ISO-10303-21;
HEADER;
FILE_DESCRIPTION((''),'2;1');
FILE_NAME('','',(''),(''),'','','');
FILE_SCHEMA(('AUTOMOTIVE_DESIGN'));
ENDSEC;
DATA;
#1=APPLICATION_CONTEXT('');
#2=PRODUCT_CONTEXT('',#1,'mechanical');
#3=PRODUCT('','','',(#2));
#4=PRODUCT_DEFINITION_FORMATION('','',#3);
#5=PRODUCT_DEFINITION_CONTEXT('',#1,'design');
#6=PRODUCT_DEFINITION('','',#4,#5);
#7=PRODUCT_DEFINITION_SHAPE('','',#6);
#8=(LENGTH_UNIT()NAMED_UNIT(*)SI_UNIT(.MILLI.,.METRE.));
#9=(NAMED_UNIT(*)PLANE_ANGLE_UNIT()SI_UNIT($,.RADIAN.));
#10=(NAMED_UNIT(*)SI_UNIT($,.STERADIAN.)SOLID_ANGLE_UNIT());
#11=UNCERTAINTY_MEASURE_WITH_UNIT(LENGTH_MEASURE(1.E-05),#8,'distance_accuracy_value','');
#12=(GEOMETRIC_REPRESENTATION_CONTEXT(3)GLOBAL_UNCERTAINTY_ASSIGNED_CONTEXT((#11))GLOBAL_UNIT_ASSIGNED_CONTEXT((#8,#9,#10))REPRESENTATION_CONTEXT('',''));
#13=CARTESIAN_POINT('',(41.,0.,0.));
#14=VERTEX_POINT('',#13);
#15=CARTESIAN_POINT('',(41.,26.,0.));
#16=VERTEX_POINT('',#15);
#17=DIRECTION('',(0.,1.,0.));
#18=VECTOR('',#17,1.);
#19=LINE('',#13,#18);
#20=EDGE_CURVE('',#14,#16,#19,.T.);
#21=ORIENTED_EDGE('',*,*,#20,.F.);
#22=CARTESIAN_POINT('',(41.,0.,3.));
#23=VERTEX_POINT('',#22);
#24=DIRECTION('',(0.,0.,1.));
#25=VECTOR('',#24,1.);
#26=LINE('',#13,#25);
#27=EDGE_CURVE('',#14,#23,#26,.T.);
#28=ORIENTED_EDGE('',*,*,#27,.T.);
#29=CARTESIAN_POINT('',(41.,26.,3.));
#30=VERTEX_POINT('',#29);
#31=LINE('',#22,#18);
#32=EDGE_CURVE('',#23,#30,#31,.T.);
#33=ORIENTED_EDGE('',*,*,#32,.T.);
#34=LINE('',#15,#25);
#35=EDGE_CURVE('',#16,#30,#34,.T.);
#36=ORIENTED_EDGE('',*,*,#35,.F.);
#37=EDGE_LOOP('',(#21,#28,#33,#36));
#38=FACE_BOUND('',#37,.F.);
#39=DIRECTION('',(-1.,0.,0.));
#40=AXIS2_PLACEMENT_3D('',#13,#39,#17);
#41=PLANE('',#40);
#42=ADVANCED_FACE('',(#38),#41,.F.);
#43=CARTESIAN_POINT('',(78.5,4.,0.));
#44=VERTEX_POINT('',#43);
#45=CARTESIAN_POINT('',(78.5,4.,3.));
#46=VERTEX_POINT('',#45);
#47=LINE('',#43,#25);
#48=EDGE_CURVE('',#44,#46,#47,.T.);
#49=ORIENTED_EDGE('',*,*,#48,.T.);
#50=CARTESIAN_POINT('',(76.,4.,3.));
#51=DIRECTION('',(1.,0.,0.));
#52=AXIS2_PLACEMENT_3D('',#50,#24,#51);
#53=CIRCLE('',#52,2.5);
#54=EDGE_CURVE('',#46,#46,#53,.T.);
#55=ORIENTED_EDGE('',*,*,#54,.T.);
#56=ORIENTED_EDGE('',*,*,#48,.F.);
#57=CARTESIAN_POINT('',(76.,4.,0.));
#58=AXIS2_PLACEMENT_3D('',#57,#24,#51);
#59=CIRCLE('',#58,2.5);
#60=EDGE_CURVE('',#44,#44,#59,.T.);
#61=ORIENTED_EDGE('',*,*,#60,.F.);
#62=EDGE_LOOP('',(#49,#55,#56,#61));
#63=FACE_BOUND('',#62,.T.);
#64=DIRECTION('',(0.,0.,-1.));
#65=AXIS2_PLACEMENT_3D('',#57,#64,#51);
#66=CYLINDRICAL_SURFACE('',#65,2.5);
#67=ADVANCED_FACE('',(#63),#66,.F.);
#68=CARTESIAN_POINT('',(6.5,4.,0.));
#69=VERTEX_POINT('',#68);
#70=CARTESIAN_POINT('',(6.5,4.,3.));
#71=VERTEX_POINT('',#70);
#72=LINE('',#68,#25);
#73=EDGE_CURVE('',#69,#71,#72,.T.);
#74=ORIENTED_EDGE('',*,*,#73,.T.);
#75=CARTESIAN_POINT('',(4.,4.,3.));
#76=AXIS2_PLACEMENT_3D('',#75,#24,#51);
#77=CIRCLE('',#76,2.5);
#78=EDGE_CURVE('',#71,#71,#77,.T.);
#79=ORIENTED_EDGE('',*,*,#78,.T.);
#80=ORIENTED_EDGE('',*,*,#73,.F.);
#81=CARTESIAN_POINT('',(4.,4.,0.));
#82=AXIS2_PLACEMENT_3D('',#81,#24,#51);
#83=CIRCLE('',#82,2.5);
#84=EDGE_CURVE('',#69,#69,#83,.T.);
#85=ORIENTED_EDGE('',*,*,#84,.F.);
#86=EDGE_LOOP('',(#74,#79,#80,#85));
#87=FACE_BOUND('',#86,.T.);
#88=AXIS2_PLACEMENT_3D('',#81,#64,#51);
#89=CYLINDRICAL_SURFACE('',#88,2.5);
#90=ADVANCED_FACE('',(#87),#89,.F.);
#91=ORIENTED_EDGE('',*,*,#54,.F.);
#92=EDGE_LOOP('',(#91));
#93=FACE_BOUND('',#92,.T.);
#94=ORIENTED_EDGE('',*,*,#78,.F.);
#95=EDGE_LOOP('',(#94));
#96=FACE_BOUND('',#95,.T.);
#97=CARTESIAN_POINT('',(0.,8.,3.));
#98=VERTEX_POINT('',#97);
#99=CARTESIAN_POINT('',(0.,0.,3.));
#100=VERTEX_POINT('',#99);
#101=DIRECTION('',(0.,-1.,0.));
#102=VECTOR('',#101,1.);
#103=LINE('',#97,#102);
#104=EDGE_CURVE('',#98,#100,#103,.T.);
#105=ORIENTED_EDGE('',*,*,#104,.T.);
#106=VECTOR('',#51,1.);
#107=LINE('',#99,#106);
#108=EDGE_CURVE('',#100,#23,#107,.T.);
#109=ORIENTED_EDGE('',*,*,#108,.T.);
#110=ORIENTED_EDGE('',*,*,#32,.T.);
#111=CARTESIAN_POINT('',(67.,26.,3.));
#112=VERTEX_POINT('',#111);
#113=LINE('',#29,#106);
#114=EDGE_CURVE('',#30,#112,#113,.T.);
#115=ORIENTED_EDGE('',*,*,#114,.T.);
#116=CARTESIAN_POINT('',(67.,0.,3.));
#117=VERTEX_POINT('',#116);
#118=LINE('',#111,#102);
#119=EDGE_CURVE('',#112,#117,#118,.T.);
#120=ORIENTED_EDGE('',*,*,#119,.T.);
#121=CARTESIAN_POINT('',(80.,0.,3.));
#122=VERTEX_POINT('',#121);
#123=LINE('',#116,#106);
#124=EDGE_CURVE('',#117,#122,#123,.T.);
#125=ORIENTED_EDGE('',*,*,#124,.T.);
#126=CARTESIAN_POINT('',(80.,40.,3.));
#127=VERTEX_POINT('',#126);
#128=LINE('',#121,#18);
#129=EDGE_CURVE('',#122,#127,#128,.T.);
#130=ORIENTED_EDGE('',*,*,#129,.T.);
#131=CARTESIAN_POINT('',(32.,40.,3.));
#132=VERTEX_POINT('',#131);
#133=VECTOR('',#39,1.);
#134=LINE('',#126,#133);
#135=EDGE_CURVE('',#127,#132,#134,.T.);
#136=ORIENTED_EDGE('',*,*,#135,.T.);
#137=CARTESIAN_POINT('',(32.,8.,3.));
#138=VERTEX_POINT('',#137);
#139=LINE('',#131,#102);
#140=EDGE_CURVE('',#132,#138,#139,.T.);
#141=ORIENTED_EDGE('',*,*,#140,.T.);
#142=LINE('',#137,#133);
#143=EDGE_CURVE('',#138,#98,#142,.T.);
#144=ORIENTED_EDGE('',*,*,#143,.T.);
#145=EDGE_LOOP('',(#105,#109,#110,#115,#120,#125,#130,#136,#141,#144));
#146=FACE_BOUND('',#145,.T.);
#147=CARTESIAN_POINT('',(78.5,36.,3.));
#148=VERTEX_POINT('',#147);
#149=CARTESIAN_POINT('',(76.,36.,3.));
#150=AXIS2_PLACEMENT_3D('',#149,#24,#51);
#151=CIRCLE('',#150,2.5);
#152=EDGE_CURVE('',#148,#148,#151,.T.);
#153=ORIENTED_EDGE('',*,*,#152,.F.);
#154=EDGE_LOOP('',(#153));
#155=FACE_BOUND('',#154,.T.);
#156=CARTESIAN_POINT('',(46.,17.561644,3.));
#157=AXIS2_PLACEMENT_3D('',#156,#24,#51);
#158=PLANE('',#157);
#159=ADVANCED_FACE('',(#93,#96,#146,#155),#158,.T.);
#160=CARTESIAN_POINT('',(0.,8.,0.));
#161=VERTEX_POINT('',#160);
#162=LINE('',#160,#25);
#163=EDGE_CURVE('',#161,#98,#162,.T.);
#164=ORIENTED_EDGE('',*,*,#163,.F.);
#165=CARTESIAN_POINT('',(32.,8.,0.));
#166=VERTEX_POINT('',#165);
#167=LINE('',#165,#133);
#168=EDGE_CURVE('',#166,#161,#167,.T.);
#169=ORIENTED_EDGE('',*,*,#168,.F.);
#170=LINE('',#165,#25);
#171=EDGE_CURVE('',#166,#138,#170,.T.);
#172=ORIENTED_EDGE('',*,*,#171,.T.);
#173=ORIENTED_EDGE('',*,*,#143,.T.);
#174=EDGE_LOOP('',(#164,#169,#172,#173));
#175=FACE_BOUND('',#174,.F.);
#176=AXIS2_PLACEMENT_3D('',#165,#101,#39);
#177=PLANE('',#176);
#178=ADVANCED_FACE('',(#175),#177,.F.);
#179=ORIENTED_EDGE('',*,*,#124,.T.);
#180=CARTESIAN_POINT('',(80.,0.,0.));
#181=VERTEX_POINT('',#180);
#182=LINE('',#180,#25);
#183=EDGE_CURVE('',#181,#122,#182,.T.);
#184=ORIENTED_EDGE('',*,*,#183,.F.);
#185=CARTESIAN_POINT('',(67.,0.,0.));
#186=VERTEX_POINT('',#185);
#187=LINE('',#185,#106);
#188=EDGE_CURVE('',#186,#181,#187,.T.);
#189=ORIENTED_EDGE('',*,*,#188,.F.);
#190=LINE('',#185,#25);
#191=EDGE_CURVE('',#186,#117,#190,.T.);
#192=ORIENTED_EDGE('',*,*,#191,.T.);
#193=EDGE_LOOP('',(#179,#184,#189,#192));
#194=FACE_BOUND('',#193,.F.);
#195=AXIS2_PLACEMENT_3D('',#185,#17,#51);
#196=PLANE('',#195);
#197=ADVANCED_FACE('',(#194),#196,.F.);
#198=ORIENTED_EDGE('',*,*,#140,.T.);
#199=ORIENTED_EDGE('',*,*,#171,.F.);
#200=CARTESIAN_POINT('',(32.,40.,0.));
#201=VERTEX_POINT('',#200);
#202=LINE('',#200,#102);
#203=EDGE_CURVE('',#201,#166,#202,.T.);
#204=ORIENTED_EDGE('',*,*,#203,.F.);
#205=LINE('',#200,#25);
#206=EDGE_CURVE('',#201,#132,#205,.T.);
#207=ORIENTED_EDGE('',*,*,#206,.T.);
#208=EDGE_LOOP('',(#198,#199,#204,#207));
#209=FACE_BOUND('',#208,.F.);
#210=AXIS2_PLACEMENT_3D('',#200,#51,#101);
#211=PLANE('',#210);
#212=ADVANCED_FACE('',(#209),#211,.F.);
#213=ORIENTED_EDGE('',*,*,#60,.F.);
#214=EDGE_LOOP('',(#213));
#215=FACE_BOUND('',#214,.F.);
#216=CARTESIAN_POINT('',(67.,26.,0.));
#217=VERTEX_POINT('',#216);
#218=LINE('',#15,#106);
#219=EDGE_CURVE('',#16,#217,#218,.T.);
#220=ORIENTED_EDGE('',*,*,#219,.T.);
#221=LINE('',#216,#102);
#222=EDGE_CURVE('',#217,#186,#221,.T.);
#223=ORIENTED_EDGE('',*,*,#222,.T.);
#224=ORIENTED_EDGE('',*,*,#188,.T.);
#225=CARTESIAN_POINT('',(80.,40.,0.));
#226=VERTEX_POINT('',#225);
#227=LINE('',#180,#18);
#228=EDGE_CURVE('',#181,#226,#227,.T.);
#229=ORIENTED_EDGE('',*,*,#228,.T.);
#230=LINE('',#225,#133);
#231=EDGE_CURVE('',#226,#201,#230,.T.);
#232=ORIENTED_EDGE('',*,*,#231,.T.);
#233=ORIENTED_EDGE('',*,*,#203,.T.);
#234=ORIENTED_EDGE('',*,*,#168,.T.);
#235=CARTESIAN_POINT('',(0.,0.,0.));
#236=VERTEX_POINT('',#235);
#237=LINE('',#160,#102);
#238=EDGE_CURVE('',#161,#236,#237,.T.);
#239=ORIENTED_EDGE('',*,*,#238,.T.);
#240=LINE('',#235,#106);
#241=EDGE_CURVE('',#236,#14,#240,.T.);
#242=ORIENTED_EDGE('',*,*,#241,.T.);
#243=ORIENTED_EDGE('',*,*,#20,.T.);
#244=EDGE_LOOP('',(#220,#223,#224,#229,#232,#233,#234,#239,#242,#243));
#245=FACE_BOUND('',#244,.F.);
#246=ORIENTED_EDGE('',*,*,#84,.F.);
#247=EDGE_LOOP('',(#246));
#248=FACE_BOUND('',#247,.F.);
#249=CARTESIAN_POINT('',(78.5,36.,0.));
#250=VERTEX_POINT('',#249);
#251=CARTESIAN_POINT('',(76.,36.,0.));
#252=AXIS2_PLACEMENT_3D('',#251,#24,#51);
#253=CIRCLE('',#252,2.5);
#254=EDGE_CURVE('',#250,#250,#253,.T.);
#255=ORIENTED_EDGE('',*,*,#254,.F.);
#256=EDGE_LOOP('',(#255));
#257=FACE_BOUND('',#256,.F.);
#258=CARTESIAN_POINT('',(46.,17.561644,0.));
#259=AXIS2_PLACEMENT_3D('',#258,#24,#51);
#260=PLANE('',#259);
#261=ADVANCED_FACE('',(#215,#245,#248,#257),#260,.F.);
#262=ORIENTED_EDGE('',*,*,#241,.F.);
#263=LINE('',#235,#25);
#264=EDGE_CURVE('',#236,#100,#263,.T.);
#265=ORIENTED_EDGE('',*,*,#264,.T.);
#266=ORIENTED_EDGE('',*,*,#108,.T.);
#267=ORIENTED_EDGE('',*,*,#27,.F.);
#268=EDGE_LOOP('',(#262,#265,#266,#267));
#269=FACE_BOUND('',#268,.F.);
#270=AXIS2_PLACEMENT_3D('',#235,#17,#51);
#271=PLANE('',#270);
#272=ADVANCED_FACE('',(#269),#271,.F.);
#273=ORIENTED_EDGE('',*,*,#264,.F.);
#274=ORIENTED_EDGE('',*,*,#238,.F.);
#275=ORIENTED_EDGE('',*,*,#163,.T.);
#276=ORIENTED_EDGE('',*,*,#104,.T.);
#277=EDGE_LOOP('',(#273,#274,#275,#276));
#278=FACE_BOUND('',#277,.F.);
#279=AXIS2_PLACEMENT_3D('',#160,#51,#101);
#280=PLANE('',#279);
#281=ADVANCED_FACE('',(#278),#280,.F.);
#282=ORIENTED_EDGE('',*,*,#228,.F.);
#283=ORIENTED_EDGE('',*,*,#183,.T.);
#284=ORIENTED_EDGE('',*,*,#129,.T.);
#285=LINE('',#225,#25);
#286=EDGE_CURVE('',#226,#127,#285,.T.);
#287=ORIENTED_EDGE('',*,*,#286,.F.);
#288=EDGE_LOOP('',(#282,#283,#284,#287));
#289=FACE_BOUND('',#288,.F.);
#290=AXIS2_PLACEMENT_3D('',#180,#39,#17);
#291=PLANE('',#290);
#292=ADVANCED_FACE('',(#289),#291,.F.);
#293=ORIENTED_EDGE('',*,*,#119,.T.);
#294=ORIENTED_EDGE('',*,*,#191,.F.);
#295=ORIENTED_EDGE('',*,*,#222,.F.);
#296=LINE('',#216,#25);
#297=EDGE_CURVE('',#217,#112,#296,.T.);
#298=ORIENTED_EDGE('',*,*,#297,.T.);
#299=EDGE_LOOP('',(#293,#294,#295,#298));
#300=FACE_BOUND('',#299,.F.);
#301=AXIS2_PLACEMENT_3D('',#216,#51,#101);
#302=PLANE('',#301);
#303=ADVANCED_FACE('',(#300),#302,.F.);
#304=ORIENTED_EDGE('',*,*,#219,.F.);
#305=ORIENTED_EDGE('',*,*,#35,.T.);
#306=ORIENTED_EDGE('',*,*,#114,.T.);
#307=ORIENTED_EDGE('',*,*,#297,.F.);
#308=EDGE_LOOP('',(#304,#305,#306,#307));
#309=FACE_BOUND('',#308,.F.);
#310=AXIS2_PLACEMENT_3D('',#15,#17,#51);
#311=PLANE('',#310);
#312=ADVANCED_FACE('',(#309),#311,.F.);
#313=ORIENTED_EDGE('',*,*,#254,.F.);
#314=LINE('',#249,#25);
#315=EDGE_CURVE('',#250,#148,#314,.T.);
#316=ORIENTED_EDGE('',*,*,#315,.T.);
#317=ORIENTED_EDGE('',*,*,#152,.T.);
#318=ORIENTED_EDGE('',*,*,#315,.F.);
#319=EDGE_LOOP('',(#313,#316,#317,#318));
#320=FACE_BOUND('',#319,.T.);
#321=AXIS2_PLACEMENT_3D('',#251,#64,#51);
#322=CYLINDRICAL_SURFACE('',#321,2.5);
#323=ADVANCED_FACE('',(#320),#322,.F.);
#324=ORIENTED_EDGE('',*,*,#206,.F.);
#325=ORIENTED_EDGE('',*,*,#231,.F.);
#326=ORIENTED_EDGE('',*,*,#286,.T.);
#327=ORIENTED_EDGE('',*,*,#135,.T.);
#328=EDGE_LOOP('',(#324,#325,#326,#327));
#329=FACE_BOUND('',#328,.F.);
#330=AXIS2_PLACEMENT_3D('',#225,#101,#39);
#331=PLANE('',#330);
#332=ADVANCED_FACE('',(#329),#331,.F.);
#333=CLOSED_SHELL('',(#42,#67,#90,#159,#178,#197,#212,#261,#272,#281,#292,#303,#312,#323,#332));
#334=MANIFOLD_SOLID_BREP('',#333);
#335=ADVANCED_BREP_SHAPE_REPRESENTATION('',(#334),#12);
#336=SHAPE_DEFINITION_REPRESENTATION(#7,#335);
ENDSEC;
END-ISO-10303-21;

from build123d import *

# Parameters (mm, degrees)
F0_R     = 2.5
F1_DEPTH = 3


with BuildPart() as f1:
    # F0 (on Top) → F1 (new body)
    with BuildSketch(Plane.XY):
        Polygon((0, 8), (0, 0), (41, 0), (41, 26), (67, 26), (67, 0), (80, 0), (80, 40), (32, 40), (32, 8), align=None)
        with Locations((4, 4)):
            Circle(F0_R, mode=Mode.SUBTRACT)
        with Locations((76, 4)):
            Circle(F0_R, mode=Mode.SUBTRACT)
        with Locations((76, 36)):
            Circle(F0_R, mode=Mode.SUBTRACT)
    extrude(amount=F1_DEPTH)


solid = f1.part
